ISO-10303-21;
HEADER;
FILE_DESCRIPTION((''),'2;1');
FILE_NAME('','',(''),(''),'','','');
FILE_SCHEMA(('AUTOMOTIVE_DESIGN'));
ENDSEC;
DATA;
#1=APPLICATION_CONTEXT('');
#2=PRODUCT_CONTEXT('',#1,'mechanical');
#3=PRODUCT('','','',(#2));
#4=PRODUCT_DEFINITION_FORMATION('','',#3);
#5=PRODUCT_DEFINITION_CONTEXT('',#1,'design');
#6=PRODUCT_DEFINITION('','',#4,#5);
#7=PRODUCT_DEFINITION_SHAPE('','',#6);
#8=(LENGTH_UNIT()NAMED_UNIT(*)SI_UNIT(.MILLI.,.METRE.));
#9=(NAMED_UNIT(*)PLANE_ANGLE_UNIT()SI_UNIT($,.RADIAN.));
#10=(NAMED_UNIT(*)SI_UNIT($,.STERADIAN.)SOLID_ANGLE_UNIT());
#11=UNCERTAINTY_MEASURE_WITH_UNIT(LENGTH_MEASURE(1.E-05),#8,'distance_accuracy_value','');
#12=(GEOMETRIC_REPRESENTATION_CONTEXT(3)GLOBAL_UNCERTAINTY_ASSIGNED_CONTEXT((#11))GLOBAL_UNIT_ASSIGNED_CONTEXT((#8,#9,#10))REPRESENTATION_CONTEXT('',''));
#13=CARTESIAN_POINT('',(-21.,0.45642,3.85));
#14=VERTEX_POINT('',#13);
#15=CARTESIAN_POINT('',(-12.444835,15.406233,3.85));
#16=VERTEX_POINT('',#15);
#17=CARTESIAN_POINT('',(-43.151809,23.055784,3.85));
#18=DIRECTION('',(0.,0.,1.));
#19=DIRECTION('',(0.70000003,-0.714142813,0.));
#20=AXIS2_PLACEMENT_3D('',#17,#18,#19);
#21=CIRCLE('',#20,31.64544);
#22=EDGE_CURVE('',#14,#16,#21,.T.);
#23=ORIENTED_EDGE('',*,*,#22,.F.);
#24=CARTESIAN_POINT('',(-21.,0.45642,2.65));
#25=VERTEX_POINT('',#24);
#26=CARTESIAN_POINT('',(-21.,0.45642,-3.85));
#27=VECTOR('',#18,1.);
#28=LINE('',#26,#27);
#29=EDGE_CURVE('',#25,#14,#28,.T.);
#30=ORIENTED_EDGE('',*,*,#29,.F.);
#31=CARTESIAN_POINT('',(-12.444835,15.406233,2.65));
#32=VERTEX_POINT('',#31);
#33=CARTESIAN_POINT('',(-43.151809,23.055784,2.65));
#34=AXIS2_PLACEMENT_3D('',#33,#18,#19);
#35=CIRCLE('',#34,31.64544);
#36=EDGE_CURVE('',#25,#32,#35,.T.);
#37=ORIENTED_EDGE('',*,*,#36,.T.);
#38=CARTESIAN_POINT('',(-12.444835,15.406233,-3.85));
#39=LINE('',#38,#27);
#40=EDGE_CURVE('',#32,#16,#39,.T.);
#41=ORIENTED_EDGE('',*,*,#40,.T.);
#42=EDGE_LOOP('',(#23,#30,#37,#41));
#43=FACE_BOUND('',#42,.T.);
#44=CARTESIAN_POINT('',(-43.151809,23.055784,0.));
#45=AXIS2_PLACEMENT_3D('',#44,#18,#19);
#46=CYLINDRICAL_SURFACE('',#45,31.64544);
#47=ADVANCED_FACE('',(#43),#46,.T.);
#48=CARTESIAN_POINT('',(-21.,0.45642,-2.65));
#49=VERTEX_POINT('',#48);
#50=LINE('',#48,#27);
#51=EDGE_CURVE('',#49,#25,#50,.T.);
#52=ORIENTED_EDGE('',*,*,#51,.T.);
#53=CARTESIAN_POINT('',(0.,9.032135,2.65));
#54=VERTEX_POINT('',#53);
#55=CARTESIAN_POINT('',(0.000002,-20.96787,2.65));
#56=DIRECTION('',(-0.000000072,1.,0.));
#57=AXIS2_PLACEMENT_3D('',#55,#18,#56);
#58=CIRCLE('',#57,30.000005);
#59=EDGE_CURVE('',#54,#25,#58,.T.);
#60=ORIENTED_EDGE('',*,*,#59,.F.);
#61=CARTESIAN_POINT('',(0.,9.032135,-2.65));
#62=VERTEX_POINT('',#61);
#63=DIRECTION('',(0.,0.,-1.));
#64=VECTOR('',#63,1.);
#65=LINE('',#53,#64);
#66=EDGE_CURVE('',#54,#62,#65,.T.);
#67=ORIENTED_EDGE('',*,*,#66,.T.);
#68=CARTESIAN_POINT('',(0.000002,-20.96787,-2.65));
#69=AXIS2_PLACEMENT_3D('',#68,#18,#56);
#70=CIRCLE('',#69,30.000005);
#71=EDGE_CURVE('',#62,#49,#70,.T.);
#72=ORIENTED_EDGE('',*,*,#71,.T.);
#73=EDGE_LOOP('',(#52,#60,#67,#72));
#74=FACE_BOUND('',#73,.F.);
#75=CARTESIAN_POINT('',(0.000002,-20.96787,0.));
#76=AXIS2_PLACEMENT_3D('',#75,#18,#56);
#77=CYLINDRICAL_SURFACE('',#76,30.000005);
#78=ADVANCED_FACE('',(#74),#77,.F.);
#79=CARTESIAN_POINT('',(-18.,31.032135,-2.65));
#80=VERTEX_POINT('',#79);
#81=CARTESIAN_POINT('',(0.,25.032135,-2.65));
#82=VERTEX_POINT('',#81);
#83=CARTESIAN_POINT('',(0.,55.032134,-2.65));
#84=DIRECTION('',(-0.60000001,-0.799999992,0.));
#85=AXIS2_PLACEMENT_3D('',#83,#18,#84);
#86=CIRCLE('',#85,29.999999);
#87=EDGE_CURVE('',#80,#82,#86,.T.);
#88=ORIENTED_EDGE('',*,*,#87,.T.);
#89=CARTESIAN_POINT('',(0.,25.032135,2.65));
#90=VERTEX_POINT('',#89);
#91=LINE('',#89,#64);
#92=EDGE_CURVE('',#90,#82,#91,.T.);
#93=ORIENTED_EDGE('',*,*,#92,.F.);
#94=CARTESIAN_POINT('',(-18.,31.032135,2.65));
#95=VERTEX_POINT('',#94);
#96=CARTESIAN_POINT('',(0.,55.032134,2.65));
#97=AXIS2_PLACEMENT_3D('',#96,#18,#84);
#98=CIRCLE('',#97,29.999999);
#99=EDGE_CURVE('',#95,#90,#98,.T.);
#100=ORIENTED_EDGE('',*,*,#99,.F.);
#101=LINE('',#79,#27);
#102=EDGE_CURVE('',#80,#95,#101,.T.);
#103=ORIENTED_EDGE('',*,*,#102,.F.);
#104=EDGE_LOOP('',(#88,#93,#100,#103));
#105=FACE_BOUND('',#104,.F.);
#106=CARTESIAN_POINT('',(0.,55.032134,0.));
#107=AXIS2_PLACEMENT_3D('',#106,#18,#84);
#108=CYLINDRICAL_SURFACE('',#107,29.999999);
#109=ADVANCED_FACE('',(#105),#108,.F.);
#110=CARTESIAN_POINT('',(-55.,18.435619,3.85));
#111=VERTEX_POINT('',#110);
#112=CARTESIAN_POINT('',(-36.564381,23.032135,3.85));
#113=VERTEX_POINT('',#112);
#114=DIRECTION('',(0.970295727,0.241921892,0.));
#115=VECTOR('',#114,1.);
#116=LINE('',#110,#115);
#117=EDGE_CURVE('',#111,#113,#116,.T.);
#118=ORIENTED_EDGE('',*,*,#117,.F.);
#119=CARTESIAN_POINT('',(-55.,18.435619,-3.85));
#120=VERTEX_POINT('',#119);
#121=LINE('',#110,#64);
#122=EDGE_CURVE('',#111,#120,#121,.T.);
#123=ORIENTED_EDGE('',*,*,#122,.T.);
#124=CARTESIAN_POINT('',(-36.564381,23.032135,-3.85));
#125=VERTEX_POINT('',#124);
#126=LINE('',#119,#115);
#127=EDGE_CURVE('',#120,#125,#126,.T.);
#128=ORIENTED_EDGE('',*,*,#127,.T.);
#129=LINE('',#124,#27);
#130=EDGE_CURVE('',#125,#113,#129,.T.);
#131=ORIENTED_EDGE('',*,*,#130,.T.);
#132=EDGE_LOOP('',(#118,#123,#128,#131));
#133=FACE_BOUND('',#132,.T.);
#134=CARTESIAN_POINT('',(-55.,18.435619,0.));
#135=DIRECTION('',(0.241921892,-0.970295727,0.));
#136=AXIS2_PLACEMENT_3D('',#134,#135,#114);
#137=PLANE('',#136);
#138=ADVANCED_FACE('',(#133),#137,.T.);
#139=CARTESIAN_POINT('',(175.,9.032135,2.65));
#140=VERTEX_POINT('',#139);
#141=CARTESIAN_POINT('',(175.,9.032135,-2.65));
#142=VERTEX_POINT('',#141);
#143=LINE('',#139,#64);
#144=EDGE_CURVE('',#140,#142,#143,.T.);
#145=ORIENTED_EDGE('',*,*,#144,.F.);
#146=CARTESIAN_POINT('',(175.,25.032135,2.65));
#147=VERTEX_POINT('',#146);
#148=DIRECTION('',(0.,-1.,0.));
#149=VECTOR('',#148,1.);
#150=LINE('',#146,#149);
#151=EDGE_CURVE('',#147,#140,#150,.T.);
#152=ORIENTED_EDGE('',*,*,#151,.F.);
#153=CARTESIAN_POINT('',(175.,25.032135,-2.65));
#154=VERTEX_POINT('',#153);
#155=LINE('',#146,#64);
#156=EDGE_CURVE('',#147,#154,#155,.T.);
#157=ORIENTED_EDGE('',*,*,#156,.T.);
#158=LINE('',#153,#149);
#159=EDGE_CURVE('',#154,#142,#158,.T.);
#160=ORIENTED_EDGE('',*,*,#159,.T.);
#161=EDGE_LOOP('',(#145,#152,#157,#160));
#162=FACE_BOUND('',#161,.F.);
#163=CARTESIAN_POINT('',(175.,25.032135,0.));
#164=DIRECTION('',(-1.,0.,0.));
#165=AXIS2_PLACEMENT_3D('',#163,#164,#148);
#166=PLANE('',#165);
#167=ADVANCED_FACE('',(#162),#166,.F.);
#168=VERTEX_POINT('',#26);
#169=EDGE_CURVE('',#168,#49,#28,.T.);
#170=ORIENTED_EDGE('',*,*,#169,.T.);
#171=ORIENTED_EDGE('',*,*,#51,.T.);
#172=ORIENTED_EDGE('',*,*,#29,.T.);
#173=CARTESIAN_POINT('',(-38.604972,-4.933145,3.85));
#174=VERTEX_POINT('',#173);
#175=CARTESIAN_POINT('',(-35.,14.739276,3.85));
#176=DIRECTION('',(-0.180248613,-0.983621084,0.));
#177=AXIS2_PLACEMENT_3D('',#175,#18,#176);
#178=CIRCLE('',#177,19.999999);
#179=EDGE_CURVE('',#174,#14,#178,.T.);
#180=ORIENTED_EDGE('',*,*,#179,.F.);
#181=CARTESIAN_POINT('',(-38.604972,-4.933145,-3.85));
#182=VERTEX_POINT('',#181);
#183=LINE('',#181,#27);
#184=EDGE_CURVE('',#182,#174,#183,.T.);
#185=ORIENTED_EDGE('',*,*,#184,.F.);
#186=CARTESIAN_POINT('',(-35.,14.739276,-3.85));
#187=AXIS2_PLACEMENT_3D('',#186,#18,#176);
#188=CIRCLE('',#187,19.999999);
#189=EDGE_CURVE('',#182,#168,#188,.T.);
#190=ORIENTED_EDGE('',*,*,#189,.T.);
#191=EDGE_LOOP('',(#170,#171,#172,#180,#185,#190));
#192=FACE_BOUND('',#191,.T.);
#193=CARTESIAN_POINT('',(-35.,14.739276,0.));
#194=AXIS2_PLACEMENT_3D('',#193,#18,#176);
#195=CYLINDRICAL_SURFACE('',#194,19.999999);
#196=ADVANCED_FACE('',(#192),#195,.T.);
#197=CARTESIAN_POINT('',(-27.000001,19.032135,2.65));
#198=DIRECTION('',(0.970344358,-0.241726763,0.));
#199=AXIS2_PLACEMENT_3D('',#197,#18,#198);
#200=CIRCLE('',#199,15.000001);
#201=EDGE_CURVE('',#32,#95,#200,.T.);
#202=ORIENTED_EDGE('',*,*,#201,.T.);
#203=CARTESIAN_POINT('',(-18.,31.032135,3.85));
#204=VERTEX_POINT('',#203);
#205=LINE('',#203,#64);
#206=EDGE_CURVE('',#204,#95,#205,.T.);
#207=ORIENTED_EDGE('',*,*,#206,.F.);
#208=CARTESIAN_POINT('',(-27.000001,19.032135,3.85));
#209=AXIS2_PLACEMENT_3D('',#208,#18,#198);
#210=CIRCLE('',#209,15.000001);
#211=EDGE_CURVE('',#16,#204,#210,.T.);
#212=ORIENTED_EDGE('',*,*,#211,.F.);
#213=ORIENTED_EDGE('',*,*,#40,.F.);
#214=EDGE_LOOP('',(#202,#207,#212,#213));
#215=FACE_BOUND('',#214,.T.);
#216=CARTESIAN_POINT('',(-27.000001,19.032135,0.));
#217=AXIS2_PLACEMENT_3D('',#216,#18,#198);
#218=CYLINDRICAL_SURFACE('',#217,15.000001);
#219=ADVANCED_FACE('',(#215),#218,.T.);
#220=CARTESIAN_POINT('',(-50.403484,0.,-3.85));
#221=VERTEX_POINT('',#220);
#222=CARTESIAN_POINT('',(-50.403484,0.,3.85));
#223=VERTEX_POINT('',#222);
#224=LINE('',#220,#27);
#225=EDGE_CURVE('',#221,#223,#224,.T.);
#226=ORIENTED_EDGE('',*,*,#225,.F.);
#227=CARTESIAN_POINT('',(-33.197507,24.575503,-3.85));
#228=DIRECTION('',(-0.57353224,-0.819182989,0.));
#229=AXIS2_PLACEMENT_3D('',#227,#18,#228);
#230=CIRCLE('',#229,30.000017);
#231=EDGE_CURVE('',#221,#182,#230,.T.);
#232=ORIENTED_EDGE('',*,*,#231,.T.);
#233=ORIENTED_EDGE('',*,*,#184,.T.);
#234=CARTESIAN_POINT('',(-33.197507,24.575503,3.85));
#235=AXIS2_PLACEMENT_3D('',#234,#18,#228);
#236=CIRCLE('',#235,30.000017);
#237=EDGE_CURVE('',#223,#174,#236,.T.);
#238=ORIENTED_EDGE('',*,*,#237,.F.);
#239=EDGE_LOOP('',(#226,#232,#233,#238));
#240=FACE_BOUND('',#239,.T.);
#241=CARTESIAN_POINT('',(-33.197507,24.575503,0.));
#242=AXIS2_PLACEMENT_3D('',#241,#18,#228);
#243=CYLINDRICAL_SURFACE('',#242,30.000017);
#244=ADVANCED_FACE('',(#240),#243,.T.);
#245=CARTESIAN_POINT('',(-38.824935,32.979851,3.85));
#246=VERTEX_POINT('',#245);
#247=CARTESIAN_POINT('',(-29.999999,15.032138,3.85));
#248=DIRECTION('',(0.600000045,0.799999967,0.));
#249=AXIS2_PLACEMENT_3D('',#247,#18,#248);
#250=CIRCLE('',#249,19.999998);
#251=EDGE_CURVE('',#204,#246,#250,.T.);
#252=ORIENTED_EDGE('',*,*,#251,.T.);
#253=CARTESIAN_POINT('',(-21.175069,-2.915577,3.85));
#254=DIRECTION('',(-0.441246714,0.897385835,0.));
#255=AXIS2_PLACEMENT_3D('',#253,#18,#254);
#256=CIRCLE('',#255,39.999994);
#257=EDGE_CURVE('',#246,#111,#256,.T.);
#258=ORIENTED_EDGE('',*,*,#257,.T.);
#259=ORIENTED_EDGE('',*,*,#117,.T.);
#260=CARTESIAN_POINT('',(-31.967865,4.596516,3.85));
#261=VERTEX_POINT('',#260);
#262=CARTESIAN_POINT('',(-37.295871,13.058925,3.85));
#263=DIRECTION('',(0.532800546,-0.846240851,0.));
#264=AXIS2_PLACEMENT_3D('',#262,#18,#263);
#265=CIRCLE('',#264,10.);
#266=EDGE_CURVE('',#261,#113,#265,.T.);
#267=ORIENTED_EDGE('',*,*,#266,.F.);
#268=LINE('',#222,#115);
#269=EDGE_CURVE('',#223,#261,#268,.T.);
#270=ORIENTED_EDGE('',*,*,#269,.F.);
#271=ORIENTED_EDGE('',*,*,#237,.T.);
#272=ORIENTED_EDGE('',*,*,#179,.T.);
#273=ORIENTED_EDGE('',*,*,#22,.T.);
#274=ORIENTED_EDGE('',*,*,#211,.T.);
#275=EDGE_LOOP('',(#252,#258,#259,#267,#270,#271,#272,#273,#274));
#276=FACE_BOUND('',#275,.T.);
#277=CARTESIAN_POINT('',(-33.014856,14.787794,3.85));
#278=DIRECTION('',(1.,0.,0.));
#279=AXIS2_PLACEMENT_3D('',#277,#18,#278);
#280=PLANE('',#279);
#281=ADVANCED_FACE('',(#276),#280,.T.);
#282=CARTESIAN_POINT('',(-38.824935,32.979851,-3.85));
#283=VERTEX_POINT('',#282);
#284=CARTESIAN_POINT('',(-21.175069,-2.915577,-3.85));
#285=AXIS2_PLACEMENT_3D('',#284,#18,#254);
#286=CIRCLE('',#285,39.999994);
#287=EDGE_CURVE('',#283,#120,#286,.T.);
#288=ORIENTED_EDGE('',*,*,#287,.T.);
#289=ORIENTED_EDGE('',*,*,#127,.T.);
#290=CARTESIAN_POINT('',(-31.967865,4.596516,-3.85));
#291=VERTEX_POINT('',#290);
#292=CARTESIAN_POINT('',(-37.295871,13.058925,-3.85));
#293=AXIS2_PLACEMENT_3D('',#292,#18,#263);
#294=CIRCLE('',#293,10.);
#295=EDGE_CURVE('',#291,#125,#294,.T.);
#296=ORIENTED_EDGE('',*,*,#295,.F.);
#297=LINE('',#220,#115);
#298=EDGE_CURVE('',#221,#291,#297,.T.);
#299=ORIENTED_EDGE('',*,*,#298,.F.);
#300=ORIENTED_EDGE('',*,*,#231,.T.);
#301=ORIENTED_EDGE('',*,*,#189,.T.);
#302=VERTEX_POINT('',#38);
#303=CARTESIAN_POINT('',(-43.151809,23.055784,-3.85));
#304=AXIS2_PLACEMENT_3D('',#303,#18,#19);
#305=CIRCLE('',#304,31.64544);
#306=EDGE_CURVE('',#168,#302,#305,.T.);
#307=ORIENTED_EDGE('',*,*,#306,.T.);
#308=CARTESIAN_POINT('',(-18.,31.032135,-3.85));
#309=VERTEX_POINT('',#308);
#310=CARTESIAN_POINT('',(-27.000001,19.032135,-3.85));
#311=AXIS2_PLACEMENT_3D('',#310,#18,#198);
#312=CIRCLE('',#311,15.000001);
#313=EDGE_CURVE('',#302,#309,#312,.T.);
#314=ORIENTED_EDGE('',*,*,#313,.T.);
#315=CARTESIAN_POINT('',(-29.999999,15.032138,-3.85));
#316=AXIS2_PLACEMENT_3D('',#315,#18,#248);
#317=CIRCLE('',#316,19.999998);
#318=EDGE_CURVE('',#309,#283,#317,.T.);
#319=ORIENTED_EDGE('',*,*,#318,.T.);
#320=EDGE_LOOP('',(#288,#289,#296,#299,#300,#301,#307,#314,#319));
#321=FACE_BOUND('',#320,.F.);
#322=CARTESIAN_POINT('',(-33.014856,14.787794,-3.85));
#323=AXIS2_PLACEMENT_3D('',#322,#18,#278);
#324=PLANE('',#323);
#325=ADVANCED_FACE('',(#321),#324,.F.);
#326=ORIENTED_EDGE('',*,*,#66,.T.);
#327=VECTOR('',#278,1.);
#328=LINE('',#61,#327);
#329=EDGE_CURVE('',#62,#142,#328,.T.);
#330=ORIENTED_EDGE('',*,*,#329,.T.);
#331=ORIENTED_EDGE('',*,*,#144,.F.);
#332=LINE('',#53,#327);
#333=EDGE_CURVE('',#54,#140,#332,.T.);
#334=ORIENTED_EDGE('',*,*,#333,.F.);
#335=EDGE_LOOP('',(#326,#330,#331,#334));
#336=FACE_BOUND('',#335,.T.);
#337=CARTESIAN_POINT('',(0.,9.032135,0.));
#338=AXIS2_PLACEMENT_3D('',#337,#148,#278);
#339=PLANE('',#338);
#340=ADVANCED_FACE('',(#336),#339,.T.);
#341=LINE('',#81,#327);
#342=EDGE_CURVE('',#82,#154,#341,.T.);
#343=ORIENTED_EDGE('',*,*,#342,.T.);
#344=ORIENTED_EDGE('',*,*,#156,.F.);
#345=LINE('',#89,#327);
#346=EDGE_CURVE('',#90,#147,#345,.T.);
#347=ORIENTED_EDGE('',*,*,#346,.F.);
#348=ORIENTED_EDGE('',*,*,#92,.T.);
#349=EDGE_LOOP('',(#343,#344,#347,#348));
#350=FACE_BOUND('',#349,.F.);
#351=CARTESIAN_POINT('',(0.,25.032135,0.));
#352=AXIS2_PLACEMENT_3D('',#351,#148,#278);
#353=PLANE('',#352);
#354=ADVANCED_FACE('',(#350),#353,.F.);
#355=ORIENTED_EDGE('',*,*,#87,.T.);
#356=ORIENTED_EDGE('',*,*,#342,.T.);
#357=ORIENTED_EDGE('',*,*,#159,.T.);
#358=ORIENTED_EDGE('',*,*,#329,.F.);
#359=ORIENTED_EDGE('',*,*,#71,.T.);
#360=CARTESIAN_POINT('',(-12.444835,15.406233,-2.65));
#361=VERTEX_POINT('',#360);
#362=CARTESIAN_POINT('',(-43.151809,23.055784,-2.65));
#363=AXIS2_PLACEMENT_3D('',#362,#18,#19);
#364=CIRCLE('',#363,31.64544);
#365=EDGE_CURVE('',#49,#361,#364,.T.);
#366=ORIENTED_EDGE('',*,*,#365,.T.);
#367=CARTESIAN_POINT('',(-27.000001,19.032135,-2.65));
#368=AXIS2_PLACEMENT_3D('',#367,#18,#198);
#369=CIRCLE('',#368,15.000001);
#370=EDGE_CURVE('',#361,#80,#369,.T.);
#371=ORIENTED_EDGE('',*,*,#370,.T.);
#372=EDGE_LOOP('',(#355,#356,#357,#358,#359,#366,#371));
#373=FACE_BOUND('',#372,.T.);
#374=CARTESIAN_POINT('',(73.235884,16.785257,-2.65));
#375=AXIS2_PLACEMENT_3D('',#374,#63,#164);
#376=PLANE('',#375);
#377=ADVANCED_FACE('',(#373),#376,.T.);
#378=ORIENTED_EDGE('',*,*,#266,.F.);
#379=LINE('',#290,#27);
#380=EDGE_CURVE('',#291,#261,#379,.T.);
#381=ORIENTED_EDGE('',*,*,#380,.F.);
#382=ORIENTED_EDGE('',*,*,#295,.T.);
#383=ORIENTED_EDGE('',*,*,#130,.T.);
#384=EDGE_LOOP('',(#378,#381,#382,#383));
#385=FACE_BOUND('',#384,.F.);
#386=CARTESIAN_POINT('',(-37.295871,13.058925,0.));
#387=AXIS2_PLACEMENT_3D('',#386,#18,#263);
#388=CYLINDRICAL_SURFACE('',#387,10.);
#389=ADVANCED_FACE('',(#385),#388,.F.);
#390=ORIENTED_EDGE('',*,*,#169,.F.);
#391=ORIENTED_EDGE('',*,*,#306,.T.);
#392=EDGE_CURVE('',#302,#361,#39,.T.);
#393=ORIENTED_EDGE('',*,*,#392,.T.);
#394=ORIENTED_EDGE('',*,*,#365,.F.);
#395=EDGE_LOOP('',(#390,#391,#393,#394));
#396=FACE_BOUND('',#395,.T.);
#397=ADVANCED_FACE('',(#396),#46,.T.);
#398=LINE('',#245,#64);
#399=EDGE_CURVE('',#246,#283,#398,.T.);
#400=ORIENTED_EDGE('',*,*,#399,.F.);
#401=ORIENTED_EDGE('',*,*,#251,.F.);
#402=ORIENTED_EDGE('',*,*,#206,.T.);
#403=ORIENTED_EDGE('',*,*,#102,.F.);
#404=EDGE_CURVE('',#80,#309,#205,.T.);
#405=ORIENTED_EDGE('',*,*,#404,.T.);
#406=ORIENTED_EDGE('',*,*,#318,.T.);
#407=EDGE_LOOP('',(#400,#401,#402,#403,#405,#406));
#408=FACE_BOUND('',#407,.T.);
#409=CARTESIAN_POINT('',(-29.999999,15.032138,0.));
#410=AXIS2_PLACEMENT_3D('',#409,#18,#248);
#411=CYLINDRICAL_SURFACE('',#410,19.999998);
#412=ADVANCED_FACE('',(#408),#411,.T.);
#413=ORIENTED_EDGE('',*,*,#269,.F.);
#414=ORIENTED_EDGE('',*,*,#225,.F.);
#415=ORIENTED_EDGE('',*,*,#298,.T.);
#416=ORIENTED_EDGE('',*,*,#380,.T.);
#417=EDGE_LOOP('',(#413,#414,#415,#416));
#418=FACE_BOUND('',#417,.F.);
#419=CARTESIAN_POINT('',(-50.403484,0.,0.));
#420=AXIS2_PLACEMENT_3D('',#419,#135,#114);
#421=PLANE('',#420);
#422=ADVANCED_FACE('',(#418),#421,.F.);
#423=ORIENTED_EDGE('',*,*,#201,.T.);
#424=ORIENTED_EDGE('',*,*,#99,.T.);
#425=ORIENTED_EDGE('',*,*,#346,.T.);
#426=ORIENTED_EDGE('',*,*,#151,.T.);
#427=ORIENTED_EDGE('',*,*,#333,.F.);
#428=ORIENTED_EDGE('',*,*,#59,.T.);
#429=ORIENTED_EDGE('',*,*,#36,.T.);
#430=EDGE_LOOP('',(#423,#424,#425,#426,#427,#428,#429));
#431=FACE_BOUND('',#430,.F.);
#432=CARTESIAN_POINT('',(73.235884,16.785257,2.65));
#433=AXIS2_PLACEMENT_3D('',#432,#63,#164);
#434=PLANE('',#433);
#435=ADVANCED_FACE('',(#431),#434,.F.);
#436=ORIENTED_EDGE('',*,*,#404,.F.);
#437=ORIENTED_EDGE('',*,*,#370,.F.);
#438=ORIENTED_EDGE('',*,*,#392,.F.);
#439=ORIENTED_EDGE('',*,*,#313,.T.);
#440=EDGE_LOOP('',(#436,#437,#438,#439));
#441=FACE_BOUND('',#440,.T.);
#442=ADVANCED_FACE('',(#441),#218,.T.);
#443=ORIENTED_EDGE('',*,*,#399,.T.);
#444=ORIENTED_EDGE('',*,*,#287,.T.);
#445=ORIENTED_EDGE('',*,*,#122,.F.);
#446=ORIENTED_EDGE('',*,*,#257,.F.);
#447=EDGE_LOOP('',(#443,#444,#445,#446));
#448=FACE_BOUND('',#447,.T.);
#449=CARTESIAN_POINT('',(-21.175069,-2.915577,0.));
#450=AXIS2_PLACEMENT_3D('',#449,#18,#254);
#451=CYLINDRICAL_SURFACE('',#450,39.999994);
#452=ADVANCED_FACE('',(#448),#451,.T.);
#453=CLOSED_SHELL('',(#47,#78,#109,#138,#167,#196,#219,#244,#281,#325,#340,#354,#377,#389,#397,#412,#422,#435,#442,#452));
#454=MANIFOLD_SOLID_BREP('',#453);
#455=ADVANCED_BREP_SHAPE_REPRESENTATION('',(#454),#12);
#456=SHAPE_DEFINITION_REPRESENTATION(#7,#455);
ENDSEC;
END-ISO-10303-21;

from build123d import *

# Parameters (mm, degrees)
PAD_DEPTH    = 2.65
PAD001_DEPTH = 3.85


with BuildPart() as part:
    # Sketch001 → Pad (new body, symmetric)
    with BuildSketch(Plane.XY):
        with BuildLine():
            ThreePointArc((-18, 31.032135), (-9.486833, 26.571636), (0, 25.032135))
            Line((0, 25.032135), (140, 25.032135))
            Line((140, 25.032135), (175, 25.032135))
            Line((175, 25.032135), (175, 9.032135))
            Line((140, 9.032135), (175, 9.032135))
            Line((0, 9.032135), (140, 9.032135))
            ThreePointArc((0, 9.032135), (-11.341769, 6.80558), (-21, 0.45642))
            ThreePointArc((-21, 0.45642), (-15.685703, 7.338058), (-12.444835, 15.406233))
            ThreePointArc((-12.444835, 15.406233), (-12.866577, 24.056709), (-18, 31.032135))
        make_face()
    extrude(amount=PAD_DEPTH, both=True)

    # Sketch → Pad001 (join, symmetric)
    with BuildSketch(Plane.XY):
        with BuildLine():
            Line((-55, 18.435619), (-36.564381, 23.032135))
            ThreePointArc((-31.967865, 4.596516), (-27.592913, 15.478143), (-36.564381, 23.032135))
            Line((-50.403484, 0), (-31.967865, 4.596516))
            ThreePointArc((-50.403484, 0), (-44.770144, -3.102558), (-38.604972, -4.933145))
            ThreePointArc((-38.604972, -4.933145), (-29.145429, -4.384635), (-21, 0.45642))
            ThreePointArc((-21, 0.45642), (-15.685703, 7.338058), (-12.444835, 15.406233))
            ThreePointArc((-12.444835, 15.406233), (-12.866577, 24.056709), (-18, 31.032135))
            ThreePointArc((-18, 31.032135), (-28.137567, 34.94523), (-38.824935, 32.979851))
            ThreePointArc((-38.824935, 32.979851), (-47.920113, 26.828366), (-55, 18.435619))
        make_face()
    extrude(amount=PAD001_DEPTH, both=True)


solid = part.part
